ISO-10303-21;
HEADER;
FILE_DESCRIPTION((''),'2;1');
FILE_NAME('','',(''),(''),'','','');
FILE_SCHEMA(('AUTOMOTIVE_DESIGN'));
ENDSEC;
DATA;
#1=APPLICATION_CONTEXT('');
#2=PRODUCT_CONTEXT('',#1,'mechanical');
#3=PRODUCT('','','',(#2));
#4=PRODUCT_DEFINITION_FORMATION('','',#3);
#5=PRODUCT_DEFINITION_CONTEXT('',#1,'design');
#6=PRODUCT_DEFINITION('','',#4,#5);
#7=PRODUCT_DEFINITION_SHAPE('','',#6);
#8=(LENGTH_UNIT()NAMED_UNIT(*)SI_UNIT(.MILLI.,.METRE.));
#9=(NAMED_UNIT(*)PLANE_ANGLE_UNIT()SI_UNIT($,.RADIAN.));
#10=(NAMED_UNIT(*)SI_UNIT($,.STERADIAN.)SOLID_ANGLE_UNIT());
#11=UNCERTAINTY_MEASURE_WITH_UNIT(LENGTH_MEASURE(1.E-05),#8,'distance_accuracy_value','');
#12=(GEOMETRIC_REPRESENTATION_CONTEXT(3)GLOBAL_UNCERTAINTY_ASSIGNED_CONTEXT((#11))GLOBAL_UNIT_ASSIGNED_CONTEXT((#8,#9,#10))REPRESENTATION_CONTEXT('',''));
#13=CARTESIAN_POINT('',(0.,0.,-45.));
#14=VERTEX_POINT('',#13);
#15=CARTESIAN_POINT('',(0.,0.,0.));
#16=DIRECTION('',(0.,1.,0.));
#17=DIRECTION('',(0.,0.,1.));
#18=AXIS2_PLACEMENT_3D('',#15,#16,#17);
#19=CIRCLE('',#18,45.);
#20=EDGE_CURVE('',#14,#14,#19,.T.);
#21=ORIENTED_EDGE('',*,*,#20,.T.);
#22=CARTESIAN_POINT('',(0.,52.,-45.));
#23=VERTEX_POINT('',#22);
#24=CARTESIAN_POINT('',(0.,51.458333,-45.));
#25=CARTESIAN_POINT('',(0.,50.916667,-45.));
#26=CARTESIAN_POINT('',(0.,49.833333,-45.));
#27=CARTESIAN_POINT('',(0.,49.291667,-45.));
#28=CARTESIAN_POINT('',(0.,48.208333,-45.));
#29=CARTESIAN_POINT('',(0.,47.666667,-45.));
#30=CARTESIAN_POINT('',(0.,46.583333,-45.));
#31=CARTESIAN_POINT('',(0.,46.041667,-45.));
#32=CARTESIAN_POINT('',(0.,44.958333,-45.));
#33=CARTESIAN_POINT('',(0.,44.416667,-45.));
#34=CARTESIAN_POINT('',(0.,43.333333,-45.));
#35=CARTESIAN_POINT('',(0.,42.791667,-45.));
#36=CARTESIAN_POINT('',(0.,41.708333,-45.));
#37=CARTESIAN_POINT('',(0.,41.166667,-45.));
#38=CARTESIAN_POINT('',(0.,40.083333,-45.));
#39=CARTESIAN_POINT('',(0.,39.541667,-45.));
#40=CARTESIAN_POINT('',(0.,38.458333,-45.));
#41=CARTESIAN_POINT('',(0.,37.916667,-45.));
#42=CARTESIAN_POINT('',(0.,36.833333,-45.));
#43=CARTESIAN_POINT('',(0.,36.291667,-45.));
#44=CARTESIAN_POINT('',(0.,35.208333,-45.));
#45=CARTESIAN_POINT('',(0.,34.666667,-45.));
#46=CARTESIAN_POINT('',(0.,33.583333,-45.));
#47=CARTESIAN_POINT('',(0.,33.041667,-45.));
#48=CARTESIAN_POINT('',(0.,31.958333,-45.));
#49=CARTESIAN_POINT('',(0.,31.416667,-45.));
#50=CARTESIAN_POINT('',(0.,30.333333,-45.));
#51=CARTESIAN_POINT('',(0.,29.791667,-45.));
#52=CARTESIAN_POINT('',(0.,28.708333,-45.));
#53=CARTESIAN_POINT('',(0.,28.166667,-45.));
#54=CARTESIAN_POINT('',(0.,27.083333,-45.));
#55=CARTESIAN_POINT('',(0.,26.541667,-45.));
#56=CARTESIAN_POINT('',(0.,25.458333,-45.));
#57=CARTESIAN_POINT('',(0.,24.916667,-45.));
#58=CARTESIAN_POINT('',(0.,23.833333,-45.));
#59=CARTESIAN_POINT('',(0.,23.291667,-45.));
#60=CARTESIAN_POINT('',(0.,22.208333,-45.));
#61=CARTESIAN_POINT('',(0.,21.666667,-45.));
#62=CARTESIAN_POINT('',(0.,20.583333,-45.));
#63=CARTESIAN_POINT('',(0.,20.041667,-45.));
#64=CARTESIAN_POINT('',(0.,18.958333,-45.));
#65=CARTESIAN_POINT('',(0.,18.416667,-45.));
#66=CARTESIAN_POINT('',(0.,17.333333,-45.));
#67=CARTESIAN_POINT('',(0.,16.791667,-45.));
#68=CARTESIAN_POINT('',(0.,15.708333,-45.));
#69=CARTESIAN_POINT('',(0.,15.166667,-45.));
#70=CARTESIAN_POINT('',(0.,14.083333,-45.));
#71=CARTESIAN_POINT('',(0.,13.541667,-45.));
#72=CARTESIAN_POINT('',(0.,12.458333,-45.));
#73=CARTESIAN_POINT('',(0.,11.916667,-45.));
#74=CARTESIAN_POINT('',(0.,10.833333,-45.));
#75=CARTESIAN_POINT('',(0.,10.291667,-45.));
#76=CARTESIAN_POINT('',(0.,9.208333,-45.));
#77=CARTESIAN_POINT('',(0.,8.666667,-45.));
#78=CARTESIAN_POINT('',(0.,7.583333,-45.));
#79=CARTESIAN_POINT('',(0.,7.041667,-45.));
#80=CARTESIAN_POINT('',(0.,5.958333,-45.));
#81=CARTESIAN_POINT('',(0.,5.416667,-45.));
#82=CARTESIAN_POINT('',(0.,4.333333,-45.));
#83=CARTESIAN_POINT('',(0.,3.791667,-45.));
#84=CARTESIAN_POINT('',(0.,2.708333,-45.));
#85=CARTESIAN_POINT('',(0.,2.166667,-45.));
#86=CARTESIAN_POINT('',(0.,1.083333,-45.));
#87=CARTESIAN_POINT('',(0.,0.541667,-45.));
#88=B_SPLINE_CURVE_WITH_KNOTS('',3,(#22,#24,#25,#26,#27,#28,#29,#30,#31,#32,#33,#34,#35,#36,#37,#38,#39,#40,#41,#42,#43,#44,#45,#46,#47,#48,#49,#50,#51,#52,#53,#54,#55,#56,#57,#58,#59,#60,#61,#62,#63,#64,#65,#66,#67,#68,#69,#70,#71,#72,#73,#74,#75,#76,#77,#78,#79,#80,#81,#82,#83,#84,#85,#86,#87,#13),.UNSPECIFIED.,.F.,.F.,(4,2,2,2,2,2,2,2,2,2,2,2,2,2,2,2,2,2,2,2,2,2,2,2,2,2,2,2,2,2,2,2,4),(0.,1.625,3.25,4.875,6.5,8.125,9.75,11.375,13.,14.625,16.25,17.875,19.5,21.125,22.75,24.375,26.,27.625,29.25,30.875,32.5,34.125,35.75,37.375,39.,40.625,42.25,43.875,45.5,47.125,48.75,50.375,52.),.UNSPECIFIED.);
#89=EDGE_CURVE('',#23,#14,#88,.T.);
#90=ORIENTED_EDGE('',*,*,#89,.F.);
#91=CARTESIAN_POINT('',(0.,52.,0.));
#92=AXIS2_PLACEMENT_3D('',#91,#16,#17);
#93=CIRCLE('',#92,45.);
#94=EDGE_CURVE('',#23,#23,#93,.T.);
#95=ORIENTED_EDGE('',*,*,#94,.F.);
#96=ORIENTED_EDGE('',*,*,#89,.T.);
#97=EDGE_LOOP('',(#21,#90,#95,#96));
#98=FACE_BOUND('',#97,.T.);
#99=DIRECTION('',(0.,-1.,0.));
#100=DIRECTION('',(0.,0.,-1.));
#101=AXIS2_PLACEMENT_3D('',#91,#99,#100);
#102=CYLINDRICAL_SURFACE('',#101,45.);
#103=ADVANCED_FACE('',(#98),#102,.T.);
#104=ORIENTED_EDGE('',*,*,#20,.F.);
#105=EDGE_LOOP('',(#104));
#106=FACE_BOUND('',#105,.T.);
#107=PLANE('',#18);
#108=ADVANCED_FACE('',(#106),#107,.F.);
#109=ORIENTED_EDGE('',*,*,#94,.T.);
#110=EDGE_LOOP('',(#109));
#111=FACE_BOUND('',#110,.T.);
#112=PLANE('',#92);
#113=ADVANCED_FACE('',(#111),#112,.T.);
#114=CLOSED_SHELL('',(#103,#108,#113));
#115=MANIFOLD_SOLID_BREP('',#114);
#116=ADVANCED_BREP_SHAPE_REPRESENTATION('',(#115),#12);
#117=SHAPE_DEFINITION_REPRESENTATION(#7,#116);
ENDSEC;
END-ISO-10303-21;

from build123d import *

# Parameters (mm, degrees)
SKETCH_1_R      = 45
EXTRUDE_1_DEPTH = 52


with BuildPart() as part:
    # Эскиз1 → Бобышка-Вытянуть1 (new body)
    with BuildSketch(Plane(origin=(0, 0, 0), x_dir=(1, 0, 0), z_dir=(0, 1, 0))):
        with Locations(Location((0, 0, 0), (0, 0, 90))):
            Circle(SKETCH_1_R)
    extrude(amount=EXTRUDE_1_DEPTH)


solid = part.part
